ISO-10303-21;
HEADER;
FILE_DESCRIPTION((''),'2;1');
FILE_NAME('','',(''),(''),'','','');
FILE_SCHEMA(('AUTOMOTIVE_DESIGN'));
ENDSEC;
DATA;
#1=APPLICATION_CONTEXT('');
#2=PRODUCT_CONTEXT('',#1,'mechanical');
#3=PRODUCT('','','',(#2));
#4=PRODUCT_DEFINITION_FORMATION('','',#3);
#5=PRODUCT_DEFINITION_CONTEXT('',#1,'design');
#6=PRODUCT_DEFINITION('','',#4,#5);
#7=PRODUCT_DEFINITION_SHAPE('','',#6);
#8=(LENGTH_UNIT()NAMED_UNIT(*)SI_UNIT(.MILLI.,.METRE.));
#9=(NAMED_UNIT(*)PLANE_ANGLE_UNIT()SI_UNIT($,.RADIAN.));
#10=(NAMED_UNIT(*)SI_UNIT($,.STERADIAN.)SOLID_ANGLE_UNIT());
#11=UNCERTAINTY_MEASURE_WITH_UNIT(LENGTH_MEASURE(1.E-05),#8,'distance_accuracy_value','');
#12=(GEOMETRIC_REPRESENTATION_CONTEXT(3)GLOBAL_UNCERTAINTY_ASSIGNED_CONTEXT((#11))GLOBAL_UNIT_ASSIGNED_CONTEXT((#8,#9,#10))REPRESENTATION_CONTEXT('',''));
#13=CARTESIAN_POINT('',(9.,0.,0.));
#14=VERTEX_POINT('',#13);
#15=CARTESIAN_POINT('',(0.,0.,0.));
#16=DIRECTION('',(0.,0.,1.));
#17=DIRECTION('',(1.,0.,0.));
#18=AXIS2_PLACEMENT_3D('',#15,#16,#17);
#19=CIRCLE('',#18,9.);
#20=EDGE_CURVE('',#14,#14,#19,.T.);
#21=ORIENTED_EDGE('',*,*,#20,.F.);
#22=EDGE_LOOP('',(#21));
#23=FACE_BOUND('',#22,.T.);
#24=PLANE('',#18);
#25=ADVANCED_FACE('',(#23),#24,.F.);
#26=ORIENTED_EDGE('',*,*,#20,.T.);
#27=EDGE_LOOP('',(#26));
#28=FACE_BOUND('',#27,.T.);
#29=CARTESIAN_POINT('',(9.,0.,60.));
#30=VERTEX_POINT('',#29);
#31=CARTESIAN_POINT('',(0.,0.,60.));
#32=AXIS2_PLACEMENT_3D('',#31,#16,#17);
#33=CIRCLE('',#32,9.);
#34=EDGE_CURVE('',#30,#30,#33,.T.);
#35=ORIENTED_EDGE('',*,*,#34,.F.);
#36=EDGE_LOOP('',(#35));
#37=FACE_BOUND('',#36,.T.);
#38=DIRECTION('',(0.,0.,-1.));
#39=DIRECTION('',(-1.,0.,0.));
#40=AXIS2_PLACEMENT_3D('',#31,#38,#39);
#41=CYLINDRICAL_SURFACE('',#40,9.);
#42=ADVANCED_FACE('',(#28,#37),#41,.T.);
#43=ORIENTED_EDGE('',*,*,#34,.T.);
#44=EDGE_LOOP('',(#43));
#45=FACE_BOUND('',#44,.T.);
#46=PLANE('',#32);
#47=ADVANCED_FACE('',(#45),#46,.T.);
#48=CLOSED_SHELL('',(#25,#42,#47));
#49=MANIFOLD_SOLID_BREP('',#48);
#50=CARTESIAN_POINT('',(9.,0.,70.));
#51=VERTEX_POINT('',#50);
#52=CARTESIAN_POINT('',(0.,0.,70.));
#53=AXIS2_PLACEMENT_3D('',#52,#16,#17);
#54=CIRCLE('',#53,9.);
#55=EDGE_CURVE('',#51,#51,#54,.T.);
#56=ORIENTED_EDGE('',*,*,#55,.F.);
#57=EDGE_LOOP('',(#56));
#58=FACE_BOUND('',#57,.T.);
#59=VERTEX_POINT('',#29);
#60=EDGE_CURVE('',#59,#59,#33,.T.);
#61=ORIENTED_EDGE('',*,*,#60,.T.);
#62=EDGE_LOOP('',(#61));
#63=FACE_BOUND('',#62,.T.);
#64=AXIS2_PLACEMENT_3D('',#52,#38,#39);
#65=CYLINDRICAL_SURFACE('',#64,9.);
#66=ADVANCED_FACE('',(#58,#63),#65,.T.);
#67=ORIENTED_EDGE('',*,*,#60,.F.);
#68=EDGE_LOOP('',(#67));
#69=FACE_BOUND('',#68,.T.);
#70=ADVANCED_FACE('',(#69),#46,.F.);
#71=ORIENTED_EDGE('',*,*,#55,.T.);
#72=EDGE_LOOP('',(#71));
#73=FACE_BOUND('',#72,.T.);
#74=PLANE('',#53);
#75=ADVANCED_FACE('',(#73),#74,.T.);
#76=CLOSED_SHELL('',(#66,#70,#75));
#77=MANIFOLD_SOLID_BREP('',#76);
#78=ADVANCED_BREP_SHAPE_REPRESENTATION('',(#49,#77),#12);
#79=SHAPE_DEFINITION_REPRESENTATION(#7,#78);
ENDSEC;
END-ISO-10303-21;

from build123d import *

# Parameters (mm, degrees)
SKETCH1_R           = 9
BOSS_EXTRUDE1_DEPTH = 60
SKETCH2_R           = 9
BOSS_EXTRUDE2_DEPTH = 10


with BuildPart() as part:
    # Sketch1 → Boss-Extrude1 (new body)
    with BuildSketch(Plane.XY):
        Circle(SKETCH1_R)
    extrude(amount=BOSS_EXTRUDE1_DEPTH)


with BuildPart() as body_2:
    # Sketch2 → Boss-Extrude2 (new body)
    with BuildSketch(Plane.XY.offset(60)):
        Circle(SKETCH2_R)
    extrude(amount=BOSS_EXTRUDE2_DEPTH)


solid = Compound([part.part, body_2.part])
